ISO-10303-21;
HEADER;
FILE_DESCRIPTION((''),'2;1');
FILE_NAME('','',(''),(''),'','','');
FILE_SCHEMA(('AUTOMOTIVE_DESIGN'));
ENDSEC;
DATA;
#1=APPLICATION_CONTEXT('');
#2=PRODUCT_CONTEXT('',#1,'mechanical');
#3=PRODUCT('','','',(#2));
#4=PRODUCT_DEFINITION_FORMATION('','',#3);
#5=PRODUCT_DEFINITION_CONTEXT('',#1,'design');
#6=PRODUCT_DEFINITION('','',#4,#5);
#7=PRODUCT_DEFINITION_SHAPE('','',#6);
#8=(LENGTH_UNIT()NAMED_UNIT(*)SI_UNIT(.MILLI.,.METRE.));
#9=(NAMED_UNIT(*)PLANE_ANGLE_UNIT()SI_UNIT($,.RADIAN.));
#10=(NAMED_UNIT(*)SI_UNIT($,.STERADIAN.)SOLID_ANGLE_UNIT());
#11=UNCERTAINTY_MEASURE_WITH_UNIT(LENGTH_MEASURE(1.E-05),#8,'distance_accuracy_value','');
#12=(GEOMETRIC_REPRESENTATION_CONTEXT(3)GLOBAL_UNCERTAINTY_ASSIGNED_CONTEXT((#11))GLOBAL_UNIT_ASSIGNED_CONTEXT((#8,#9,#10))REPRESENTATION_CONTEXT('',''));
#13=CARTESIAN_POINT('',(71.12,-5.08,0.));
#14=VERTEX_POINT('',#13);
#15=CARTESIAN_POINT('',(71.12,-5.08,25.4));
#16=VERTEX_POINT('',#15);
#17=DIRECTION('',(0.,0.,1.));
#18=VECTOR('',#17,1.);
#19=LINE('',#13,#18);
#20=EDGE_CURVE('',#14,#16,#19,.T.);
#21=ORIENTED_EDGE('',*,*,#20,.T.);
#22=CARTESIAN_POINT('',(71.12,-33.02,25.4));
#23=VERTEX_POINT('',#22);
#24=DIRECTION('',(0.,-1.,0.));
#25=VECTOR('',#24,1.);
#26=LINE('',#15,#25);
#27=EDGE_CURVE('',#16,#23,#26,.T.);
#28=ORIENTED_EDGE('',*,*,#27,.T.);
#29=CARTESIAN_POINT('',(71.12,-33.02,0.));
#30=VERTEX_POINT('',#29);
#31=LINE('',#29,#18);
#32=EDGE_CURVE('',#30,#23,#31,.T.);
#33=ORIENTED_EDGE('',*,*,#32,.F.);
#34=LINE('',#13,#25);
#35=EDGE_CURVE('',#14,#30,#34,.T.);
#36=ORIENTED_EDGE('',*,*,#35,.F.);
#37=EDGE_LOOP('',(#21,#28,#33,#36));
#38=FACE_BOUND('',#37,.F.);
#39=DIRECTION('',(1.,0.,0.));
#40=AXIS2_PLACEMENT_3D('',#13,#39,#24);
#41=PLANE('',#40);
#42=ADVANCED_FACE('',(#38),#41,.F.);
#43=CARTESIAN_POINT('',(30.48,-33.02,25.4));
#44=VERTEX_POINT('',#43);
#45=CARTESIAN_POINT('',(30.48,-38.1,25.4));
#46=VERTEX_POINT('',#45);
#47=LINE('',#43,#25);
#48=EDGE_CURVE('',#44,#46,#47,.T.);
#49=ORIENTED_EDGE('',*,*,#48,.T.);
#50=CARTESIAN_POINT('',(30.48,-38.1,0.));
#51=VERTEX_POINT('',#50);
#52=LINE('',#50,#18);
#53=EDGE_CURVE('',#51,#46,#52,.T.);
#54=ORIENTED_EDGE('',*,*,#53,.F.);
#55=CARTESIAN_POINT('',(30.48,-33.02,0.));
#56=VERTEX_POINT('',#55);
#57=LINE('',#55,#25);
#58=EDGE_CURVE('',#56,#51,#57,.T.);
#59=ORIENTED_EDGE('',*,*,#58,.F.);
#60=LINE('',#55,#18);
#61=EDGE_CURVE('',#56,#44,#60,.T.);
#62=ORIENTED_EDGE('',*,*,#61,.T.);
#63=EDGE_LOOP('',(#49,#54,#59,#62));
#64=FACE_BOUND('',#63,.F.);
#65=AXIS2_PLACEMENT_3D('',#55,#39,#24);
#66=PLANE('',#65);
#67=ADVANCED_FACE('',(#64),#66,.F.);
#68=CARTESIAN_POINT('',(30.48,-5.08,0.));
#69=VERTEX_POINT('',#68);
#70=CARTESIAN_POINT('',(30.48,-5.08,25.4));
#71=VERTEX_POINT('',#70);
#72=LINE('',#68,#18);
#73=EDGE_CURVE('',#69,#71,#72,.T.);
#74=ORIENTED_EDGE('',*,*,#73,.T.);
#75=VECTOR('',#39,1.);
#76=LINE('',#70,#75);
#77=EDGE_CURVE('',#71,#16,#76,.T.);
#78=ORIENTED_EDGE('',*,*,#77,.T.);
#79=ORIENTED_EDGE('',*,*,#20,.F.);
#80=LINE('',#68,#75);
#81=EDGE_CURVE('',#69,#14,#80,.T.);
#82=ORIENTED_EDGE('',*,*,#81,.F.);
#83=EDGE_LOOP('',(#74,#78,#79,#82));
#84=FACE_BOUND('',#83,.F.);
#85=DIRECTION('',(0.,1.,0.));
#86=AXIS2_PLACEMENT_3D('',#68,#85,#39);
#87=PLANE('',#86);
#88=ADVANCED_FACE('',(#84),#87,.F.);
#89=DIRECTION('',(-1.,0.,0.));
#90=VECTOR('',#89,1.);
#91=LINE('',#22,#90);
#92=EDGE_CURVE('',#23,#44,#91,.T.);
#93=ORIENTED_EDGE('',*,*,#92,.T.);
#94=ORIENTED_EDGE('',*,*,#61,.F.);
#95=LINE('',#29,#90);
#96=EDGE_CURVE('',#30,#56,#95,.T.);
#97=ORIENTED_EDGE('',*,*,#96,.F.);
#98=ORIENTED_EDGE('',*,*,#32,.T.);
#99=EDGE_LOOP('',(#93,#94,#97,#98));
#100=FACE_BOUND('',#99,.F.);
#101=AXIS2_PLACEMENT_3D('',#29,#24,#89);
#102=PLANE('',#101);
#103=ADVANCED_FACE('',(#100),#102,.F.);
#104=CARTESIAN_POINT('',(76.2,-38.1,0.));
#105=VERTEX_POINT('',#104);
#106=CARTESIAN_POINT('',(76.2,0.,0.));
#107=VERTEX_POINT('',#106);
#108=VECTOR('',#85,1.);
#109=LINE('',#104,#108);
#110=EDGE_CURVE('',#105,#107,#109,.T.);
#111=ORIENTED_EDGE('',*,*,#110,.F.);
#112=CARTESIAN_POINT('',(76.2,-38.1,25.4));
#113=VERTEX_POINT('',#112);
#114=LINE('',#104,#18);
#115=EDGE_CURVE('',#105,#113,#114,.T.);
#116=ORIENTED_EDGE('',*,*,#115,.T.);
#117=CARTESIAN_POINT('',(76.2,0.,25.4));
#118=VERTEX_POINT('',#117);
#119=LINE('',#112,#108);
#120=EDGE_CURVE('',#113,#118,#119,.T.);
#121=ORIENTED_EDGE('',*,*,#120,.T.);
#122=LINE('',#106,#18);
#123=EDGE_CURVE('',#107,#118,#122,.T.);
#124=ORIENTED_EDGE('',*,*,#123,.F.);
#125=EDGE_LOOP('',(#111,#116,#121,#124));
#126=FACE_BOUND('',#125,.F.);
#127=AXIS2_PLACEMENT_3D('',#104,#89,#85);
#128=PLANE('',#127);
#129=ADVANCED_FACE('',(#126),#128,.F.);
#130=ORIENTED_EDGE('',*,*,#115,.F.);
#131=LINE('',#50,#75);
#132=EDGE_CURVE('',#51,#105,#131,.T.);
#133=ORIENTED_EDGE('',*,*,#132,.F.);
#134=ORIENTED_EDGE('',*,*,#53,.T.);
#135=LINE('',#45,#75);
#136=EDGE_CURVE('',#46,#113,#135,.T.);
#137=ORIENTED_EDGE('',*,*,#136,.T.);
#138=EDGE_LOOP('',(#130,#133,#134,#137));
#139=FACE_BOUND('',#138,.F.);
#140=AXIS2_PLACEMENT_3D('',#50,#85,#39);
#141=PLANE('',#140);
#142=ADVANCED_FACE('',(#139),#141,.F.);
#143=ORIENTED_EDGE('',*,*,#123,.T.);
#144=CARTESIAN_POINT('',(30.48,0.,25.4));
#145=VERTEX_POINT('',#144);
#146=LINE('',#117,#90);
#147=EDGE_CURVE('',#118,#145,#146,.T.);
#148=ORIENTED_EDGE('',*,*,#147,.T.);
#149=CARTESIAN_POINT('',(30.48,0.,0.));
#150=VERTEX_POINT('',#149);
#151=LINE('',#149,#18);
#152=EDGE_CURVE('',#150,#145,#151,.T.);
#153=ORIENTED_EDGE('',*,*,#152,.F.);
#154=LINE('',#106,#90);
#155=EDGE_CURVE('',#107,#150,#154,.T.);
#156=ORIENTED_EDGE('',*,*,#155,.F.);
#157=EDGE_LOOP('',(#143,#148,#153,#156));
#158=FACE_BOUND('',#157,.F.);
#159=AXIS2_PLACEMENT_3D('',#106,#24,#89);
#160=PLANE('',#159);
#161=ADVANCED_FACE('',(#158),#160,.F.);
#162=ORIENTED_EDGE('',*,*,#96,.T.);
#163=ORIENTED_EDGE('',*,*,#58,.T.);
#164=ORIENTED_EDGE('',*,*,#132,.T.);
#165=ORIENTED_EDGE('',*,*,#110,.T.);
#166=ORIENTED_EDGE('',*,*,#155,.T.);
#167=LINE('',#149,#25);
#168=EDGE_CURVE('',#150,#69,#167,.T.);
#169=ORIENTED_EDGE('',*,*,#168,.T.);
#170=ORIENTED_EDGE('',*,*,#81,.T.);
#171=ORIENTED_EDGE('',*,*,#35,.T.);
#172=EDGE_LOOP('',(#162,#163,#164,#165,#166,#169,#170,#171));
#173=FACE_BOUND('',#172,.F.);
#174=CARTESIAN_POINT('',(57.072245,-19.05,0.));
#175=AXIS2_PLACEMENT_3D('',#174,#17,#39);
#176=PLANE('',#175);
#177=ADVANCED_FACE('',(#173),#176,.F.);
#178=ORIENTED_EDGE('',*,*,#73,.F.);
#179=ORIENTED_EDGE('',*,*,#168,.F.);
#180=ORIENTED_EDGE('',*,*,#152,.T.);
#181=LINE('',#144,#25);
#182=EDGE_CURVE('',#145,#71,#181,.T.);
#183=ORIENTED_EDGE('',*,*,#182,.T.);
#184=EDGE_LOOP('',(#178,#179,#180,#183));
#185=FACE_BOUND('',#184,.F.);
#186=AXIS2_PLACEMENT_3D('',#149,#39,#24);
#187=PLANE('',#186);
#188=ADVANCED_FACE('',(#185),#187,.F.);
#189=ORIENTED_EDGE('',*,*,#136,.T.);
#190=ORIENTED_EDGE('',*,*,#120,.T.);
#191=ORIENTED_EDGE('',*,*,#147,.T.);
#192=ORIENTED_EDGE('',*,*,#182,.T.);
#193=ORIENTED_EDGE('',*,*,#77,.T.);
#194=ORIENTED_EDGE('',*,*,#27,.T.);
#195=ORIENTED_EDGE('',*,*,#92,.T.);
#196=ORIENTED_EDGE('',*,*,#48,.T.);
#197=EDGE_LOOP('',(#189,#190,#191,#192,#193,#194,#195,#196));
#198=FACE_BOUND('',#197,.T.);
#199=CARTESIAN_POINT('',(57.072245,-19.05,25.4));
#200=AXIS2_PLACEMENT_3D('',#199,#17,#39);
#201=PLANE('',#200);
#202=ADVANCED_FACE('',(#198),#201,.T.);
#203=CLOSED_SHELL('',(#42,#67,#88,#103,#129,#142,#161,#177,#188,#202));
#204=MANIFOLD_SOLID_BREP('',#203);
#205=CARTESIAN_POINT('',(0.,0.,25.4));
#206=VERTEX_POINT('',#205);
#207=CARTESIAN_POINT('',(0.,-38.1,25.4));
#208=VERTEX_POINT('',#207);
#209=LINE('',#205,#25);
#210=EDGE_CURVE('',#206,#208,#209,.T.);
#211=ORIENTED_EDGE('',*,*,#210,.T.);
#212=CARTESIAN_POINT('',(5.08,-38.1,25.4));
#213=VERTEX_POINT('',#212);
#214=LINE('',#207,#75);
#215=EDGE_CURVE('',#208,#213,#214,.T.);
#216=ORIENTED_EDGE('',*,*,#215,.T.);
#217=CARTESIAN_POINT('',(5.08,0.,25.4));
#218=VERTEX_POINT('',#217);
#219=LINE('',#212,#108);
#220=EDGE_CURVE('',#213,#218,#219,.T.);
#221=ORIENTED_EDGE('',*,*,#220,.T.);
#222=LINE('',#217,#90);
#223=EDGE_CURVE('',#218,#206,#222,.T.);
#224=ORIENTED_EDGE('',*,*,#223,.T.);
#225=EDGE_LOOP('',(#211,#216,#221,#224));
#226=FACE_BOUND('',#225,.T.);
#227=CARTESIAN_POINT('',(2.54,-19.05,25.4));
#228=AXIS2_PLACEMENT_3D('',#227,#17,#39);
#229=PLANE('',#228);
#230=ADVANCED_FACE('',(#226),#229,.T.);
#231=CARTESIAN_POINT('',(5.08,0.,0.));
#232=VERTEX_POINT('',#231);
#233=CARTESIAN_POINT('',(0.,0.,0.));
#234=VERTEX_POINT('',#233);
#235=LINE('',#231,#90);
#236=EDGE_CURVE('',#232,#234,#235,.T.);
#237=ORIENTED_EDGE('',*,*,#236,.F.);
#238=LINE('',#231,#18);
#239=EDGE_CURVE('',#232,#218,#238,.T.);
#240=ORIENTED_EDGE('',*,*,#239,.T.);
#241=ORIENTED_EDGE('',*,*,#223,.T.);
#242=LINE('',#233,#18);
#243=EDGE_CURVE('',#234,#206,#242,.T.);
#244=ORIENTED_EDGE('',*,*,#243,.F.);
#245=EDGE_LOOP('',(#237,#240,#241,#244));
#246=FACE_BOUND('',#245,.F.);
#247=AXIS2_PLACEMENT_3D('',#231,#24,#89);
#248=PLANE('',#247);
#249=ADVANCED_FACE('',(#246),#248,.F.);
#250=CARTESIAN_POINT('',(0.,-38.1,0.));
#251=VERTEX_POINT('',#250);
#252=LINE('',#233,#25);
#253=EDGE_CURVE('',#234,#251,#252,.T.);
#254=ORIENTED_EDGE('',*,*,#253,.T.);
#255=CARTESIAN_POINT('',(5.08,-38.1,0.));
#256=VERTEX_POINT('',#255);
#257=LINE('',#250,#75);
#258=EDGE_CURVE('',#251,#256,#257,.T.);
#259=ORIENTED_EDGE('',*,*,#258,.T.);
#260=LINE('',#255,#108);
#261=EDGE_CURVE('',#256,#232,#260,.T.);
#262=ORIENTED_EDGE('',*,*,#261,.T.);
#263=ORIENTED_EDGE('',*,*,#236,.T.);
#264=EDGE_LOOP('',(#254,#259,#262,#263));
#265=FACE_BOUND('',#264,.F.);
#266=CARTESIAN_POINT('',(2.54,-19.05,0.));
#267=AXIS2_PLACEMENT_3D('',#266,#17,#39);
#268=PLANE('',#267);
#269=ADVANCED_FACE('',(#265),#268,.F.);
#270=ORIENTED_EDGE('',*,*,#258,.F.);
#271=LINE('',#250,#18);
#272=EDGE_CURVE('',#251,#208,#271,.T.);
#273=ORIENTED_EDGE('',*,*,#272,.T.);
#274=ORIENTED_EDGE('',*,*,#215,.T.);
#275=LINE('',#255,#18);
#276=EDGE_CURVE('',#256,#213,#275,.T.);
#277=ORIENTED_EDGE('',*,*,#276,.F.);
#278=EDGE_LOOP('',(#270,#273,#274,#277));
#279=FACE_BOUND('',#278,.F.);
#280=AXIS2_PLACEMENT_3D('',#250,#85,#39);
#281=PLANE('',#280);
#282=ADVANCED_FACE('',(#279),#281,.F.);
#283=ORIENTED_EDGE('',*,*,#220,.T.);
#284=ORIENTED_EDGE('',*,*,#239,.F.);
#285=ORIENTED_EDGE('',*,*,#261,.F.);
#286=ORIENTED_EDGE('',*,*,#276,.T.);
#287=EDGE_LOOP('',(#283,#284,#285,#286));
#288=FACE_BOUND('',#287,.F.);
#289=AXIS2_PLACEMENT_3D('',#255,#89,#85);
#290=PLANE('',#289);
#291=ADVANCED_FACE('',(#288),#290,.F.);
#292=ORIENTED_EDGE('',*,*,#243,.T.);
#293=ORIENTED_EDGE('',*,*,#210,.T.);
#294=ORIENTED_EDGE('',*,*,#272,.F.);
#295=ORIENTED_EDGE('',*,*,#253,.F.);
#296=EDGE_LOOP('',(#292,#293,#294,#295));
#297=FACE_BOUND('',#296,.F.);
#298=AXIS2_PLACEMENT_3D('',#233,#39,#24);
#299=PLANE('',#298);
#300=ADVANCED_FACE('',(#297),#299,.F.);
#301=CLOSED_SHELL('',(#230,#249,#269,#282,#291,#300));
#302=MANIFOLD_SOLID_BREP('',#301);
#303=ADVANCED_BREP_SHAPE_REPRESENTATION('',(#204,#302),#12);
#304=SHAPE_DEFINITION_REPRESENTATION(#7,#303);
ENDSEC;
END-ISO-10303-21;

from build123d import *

# Parameters (mm, degrees)
F1_DEPTH = 25.4


with BuildPart() as f1:
    # F0 (on Top) → F1 (new body)
    with BuildSketch(Plane.XY):
        Polygon((5.08, 0), (0, 0), (0, -38.1), (5.08, -38.1), (5.08, -33.02), (5.08, -5.08), align=None)
        Polygon((76.2, 0), (30.48, 0), (30.48, -5.08), (71.12, -5.08), (71.12, -33.02), (30.48, -33.02), (30.48, -38.1), (76.2, -38.1), align=None)
    extrude(amount=F1_DEPTH)


solid = f1.part
